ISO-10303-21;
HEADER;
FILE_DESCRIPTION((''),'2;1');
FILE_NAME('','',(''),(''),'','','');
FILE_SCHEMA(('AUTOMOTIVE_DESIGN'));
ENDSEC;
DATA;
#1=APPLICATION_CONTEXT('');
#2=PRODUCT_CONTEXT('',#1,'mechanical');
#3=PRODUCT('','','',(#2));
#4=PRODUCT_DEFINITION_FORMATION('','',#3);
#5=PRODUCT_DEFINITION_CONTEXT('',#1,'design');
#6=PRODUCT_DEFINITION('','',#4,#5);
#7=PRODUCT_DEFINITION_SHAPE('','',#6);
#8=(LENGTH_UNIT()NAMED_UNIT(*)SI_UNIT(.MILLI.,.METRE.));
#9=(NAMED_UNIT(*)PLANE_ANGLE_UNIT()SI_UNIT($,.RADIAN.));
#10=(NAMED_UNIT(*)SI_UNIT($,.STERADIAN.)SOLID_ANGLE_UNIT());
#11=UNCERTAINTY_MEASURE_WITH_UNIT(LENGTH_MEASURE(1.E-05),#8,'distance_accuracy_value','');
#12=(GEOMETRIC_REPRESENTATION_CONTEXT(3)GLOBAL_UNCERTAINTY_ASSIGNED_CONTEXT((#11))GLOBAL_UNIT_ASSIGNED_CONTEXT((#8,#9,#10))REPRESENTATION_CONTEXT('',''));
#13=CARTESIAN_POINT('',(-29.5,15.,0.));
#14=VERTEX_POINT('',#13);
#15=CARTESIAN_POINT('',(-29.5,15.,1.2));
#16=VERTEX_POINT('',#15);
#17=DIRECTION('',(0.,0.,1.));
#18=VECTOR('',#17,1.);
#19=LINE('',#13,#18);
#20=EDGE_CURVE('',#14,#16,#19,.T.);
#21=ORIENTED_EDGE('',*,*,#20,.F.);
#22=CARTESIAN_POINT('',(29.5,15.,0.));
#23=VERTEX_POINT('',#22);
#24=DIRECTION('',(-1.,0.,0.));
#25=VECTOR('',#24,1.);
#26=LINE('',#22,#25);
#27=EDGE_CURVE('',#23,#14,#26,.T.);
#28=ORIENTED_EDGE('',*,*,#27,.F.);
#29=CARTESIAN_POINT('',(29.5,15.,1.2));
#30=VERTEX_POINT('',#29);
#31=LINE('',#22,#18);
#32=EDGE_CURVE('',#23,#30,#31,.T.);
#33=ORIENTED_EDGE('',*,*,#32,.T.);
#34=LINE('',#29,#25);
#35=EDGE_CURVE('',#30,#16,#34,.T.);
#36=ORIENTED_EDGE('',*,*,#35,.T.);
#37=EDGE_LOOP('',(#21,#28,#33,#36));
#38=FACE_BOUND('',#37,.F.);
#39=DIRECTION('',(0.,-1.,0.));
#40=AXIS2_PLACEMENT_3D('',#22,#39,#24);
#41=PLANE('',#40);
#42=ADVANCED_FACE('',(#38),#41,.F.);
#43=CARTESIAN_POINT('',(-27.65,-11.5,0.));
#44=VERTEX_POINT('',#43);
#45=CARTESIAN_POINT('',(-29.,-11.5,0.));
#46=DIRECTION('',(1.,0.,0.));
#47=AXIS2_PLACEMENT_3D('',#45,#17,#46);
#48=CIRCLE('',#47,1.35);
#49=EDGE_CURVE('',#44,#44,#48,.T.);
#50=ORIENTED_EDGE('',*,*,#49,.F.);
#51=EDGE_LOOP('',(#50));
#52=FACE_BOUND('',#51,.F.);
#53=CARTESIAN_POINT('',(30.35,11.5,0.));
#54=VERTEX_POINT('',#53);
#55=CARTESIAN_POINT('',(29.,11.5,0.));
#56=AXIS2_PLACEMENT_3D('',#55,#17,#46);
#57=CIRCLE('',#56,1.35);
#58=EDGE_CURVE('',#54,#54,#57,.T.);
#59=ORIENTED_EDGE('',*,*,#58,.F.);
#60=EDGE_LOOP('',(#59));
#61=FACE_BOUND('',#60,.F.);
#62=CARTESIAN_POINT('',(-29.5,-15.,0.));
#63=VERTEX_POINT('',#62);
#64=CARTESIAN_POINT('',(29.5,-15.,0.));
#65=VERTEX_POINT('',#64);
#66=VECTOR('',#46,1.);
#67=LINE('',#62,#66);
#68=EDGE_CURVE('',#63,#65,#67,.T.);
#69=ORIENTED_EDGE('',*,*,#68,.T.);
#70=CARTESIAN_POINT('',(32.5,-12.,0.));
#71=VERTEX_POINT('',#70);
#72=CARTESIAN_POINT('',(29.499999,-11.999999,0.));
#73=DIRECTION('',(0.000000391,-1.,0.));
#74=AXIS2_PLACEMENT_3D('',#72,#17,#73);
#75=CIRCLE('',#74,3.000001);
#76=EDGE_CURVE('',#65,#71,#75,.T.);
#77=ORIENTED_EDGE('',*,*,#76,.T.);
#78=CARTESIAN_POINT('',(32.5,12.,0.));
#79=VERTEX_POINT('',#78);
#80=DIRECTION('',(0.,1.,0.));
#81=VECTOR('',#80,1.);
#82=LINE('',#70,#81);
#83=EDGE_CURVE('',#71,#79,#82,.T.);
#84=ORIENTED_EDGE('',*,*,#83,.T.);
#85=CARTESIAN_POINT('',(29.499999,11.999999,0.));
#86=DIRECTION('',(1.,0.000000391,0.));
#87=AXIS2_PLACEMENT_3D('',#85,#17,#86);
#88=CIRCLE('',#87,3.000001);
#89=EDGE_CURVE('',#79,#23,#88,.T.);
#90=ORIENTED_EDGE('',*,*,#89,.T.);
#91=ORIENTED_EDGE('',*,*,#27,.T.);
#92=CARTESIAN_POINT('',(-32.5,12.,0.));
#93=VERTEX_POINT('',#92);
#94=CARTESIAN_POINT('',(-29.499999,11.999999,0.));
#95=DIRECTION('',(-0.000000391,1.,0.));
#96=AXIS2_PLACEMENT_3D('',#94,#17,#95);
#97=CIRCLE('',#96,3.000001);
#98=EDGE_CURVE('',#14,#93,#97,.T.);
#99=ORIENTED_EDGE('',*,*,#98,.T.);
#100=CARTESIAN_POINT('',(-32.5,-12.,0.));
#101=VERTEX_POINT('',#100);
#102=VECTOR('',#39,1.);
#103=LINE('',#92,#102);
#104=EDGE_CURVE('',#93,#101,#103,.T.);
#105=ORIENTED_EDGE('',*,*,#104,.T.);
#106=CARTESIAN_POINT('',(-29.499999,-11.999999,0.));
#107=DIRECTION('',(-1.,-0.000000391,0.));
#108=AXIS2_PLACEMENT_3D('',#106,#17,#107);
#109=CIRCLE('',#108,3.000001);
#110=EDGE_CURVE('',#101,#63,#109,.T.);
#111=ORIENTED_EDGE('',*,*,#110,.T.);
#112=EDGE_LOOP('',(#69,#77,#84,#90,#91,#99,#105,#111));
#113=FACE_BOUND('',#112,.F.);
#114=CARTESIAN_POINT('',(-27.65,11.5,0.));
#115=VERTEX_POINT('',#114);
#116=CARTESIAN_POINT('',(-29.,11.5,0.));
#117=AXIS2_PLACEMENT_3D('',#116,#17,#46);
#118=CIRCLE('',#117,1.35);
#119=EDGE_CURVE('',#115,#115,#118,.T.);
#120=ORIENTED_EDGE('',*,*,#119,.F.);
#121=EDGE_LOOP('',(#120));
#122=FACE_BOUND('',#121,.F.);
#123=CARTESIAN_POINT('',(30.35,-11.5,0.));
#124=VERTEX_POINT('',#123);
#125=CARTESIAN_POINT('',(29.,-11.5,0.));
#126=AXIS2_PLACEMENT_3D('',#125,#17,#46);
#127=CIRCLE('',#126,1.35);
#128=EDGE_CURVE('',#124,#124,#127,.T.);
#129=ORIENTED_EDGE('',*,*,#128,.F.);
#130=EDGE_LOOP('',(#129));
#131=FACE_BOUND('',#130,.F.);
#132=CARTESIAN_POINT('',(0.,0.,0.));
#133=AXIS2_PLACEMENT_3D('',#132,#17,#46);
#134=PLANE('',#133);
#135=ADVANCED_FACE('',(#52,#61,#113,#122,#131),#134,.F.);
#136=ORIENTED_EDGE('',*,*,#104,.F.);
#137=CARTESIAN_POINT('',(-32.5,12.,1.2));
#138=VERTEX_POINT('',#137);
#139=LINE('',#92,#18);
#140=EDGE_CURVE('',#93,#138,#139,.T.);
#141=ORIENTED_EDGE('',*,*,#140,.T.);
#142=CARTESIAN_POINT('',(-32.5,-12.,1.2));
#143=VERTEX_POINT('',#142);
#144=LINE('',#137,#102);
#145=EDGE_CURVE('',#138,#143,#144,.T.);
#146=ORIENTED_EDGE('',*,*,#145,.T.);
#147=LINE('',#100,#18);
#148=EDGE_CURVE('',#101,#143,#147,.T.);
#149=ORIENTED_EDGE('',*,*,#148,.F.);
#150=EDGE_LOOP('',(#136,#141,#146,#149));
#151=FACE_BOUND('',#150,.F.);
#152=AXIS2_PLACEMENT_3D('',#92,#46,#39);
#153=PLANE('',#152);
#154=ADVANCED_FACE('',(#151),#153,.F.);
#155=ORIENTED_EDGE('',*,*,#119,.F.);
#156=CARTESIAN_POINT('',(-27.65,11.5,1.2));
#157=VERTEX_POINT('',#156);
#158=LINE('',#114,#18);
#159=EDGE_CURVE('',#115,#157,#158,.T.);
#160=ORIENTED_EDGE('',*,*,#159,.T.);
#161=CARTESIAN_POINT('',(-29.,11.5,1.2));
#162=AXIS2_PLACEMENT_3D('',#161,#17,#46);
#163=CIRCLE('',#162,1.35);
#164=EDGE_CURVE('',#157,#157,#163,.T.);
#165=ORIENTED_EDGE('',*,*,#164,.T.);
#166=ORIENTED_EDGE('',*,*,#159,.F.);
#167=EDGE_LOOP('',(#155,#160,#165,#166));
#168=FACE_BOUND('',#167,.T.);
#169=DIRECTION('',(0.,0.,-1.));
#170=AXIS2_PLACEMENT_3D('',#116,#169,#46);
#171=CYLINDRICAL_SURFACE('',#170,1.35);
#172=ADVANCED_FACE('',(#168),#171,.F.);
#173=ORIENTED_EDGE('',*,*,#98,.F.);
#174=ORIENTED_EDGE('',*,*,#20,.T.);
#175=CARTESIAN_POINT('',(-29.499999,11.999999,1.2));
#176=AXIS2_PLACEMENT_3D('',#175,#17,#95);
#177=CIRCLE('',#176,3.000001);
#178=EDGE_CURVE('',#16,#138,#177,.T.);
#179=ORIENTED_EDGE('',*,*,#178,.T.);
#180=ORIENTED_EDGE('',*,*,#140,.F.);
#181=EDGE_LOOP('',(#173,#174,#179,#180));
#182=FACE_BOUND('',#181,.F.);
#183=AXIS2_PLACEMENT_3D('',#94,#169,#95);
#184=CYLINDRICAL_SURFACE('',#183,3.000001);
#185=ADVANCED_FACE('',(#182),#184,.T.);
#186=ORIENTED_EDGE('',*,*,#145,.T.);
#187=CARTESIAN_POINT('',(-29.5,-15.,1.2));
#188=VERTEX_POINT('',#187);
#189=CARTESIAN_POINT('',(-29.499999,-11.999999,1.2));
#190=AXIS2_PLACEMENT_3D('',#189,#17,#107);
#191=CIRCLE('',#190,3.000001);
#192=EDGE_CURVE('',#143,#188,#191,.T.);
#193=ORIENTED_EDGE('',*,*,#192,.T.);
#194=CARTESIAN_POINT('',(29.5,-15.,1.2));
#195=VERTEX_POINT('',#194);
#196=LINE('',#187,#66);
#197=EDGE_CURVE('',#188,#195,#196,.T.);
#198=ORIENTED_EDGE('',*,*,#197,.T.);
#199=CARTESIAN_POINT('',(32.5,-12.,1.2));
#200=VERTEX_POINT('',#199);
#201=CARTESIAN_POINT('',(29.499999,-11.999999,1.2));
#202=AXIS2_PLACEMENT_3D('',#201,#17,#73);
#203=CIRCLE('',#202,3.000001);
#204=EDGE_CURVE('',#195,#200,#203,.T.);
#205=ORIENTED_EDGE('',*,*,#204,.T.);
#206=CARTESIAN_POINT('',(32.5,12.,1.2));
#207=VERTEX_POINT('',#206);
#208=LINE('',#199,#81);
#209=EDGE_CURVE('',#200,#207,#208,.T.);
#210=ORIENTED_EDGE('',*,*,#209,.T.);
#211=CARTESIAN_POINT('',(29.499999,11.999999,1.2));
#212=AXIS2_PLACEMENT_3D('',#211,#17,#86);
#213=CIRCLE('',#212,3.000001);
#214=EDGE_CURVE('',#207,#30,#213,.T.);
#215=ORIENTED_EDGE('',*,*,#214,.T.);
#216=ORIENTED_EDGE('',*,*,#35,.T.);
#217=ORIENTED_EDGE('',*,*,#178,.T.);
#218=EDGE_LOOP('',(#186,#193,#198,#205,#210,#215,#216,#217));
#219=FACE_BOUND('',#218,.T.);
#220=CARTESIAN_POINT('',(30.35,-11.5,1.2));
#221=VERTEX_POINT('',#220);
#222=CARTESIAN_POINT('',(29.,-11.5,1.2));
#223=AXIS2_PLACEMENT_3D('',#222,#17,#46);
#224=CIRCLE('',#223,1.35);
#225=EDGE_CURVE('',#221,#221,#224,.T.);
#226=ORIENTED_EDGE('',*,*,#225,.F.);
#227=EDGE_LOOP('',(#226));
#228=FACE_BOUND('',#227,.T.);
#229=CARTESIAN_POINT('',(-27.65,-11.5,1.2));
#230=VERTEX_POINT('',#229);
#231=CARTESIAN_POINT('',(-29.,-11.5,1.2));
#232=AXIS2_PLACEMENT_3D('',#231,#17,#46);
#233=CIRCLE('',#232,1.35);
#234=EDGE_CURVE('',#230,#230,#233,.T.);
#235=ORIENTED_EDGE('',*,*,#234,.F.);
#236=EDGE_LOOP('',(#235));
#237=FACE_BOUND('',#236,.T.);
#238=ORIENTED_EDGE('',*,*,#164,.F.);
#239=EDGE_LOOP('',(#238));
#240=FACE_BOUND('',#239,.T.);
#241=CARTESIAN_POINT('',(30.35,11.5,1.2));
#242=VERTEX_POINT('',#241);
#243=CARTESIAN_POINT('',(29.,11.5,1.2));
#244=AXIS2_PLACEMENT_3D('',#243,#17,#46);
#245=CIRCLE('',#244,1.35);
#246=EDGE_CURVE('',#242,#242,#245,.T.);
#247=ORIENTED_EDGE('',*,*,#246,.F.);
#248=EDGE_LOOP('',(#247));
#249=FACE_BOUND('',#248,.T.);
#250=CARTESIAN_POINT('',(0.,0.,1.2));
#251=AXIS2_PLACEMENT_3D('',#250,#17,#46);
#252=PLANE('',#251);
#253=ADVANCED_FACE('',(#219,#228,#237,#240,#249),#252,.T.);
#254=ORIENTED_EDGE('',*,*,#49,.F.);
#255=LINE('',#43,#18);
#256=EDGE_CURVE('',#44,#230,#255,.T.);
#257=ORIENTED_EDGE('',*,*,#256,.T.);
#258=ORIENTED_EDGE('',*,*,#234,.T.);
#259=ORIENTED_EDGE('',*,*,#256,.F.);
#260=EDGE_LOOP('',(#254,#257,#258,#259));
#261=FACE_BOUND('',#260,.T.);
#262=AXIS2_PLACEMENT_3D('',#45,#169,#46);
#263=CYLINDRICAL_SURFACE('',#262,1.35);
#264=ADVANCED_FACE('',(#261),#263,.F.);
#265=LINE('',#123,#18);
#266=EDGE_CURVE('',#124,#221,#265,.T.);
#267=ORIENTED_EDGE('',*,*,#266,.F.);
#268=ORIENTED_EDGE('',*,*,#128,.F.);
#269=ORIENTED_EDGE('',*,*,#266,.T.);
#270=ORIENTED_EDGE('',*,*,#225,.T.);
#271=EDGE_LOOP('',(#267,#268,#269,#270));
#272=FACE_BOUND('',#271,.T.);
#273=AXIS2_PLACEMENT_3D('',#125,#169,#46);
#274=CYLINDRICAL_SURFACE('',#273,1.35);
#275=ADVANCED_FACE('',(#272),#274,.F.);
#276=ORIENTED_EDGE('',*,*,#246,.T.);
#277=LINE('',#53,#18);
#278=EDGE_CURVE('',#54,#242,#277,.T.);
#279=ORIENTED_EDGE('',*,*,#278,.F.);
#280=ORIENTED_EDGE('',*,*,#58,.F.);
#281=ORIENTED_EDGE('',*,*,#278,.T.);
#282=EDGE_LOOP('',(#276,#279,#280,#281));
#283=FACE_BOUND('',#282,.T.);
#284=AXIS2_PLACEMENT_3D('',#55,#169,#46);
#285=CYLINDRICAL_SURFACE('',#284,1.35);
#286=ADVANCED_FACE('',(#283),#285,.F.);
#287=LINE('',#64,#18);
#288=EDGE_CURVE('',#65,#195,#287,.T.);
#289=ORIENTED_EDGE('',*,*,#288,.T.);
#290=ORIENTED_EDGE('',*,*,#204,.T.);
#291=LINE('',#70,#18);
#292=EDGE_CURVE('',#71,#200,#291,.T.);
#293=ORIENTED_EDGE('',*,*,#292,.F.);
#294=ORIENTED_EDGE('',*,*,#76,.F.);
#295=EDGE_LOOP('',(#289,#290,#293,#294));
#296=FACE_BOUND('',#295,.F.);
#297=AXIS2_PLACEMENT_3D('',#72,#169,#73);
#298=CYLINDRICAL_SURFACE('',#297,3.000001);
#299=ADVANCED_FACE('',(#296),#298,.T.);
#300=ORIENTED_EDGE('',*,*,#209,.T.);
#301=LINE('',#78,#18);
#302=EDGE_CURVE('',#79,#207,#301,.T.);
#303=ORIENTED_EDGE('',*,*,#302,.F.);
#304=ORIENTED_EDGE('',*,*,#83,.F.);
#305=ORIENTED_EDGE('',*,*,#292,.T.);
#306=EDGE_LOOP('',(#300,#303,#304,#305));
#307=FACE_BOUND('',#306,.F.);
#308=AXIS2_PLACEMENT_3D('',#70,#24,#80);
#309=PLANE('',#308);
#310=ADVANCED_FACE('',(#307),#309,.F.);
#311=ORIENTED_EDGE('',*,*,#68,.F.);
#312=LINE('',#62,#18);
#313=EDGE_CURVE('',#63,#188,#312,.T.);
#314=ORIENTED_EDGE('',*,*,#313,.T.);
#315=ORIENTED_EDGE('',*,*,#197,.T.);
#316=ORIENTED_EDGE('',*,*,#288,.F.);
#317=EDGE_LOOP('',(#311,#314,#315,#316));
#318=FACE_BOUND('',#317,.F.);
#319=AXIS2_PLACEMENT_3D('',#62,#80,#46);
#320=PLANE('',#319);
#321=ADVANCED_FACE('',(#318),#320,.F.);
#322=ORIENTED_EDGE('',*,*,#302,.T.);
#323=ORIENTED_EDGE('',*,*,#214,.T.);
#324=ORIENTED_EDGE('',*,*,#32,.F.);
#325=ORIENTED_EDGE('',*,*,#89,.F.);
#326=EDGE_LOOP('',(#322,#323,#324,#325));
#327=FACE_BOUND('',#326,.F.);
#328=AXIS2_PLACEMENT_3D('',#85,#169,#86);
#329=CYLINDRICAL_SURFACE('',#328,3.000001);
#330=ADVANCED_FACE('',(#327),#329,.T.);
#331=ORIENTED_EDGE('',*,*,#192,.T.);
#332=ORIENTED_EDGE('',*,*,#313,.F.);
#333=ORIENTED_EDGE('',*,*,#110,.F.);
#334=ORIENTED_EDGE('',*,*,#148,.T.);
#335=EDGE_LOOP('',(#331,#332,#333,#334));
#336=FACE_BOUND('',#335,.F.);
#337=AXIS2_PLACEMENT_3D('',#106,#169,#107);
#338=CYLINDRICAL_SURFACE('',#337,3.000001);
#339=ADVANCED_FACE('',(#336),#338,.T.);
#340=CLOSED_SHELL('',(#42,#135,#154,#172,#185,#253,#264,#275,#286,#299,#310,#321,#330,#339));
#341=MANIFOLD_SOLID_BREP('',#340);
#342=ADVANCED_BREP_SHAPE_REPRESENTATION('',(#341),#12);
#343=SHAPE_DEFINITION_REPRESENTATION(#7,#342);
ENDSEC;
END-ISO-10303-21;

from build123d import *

# Parameters (mm, degrees)
SKETCH_R            = 1.35
PAD_DEPTH           = 1.2
SKETCH001_R         = 0.4
POCKET_DEPTH        = 0.001
LINEARPATTERN_COUNT = 20
LINEARPATTERN_PITCH = 2.368421


with BuildPart() as part:
    # Sketch → Pad (new body)
    with BuildSketch(Plane.XY):
        with BuildLine():
            Line((-32.5, 12), (-32.5, -12))
            ThreePointArc((-32.5, -12), (-31.62132, -14.12132), (-29.5, -15))
            Line((-29.5, -15), (29.5, -15))
            ThreePointArc((29.5, -15), (31.62132, -14.12132), (32.5, -12))
            Line((32.5, -12), (32.5, 12))
            ThreePointArc((32.5, 12), (31.62132, 14.12132), (29.5, 15))
            Line((29.5, 15), (-29.5, 15))
            ThreePointArc((-29.5, 15), (-31.62132, 14.12132), (-32.5, 12))
        make_face()
        with Locations((29, 11.5)):
            Circle(SKETCH_R, mode=Mode.SUBTRACT)
        with Locations((-29, 11.5)):
            Circle(SKETCH_R, mode=Mode.SUBTRACT)
        with Locations((-29, -11.5)):
            Circle(SKETCH_R, mode=Mode.SUBTRACT)
        with Locations((29, -11.5)):
            Circle(SKETCH_R, mode=Mode.SUBTRACT)
    extrude(amount=PAD_DEPTH)

    # Sketch001 → Pocket (cut, through all)
    with BuildSketch(Plane.XY):
        with Locations((-22.5, 12.75)):
            Circle(SKETCH001_R)
        with Locations((-22.5, 10.25)):
            Circle(SKETCH001_R)
    pocket = extrude(amount=-POCKET_DEPTH, mode=Mode.SUBTRACT)

    # LinearPattern: Pocket ×20
    with Locations(*[(i * LINEARPATTERN_PITCH, 0, 0) for i in range(1, LINEARPATTERN_COUNT)]):
        add(pocket, mode=Mode.SUBTRACT)


solid = part.part
